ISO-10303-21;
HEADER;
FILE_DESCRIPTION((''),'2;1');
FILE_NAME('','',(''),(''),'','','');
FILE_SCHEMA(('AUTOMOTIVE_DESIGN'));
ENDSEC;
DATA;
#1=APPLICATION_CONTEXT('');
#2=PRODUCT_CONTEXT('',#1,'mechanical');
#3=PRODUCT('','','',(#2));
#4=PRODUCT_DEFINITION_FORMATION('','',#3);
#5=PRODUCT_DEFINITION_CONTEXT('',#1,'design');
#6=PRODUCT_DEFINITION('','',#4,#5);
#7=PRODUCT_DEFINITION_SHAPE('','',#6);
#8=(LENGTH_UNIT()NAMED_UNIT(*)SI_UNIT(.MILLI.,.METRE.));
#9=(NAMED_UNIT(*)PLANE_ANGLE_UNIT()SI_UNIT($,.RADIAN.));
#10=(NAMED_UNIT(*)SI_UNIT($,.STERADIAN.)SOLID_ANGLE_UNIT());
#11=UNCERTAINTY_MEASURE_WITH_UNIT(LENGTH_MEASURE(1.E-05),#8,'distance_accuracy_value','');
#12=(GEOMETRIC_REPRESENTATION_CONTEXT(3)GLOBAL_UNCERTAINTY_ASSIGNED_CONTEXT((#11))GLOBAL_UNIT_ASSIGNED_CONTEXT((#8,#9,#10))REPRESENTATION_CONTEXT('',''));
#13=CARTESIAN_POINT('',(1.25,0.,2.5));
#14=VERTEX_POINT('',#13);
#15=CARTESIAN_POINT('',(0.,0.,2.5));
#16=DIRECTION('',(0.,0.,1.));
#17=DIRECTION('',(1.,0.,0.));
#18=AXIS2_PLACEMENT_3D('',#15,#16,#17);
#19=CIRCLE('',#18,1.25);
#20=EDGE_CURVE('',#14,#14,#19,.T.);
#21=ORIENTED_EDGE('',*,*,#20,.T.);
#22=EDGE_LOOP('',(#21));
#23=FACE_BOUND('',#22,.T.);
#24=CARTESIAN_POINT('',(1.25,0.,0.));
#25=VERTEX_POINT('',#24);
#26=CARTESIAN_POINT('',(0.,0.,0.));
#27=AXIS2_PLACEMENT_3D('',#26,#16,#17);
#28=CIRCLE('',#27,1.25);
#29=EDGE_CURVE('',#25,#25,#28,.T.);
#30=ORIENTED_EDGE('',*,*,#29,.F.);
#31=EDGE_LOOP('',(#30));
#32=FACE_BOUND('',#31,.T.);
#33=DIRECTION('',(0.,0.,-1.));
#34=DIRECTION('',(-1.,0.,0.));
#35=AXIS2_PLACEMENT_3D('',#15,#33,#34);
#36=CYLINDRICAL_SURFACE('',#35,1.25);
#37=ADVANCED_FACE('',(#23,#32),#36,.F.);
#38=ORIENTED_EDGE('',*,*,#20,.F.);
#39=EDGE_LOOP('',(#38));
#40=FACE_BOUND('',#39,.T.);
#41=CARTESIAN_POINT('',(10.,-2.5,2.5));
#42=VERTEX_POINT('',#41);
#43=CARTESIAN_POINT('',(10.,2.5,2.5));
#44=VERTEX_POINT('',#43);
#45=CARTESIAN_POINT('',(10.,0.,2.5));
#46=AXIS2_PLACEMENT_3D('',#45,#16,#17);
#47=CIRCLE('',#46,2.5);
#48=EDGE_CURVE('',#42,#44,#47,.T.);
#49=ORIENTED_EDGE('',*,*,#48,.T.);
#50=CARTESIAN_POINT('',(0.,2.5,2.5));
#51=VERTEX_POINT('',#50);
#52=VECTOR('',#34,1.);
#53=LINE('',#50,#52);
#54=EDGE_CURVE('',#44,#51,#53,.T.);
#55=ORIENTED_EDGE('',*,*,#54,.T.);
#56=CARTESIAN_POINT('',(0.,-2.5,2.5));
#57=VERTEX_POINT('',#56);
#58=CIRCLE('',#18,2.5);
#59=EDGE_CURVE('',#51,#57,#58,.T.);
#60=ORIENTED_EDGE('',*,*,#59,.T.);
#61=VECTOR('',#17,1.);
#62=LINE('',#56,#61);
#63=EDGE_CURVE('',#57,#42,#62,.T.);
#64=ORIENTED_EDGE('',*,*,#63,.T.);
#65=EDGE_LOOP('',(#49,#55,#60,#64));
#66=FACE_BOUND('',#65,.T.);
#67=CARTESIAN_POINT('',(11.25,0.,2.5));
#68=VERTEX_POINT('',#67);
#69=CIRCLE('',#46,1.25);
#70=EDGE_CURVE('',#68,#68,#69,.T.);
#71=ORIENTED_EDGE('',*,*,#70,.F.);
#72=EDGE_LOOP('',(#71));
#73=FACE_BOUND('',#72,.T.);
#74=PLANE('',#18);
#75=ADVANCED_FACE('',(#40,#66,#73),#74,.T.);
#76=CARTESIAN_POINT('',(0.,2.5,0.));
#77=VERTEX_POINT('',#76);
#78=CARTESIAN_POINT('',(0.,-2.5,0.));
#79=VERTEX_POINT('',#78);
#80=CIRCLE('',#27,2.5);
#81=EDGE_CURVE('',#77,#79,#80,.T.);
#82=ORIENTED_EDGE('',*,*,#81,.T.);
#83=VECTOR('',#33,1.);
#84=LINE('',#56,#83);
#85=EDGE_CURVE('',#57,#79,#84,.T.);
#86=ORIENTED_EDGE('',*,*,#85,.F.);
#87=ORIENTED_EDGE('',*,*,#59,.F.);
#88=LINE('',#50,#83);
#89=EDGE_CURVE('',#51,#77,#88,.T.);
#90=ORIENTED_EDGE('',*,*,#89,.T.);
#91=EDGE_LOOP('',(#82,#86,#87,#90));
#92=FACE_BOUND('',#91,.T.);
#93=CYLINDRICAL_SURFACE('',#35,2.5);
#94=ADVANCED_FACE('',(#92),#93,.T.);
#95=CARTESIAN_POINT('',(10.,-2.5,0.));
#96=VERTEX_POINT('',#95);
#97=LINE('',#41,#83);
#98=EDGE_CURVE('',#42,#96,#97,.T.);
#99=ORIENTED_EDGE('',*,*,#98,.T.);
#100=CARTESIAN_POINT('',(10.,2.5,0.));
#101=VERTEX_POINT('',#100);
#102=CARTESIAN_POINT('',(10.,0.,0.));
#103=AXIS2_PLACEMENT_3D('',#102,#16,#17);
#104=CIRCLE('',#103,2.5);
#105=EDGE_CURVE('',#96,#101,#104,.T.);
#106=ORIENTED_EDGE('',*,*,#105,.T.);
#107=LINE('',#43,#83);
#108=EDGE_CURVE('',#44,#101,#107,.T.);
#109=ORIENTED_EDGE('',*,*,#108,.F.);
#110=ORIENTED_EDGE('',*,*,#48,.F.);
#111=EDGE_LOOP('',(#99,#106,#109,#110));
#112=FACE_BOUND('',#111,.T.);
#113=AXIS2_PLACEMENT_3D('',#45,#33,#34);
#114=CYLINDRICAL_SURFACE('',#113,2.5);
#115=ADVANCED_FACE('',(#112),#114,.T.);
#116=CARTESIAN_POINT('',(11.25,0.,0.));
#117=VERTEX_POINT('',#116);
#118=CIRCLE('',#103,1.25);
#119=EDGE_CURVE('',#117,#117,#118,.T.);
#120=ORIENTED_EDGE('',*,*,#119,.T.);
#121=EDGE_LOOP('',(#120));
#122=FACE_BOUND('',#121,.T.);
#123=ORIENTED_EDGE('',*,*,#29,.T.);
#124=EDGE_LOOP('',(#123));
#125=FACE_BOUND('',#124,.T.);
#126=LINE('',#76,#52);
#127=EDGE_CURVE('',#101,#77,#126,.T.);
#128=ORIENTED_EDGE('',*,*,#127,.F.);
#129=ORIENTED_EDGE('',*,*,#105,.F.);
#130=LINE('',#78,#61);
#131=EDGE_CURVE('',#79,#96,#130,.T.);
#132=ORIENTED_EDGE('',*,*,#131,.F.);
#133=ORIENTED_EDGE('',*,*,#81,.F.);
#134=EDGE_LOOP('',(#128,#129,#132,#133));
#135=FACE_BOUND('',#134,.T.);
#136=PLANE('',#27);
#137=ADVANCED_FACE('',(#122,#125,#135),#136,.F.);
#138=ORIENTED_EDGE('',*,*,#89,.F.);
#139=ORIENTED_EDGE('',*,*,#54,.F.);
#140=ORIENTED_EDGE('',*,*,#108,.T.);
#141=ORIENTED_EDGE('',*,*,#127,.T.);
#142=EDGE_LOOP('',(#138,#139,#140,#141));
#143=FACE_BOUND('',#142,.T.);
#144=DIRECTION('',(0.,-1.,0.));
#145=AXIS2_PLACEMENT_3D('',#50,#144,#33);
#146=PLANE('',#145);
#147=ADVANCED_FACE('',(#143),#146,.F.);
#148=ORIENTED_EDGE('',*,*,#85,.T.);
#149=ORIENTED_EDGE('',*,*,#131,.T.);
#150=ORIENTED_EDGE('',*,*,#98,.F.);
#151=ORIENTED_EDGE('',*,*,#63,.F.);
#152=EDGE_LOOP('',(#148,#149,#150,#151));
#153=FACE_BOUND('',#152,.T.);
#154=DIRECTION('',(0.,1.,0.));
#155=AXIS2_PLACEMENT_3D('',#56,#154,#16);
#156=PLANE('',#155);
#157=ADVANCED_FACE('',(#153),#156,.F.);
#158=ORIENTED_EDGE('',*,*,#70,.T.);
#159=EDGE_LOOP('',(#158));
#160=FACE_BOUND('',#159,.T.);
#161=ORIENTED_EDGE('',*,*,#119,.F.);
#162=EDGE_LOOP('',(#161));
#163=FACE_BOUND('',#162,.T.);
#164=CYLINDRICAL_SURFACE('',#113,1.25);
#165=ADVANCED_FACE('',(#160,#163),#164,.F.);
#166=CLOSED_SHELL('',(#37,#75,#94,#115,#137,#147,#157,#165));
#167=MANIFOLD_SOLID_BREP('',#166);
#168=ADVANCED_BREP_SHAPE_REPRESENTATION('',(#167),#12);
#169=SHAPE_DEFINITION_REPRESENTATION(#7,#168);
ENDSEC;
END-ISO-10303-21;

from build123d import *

# Parameters (mm, degrees)
SKETCH1_R           = 1.25
BOSS_EXTRUDE1_DEPTH = 2.5


with BuildPart() as part:
    # Sketch1 → Boss-Extrude1 (new body)
    with BuildSketch(Plane.XY):
        with BuildLine():
            Line((0, 2.5), (10, 2.5))
            ThreePointArc((10, 2.5), (12.5, 0), (10, -2.5))
            Line((10, -2.5), (0, -2.5))
            ThreePointArc((0, -2.5), (-2.5, 0), (0, 2.5))
        make_face()
        Circle(SKETCH1_R, mode=Mode.SUBTRACT)
        with Locations((10, 0)):
            Circle(SKETCH1_R, mode=Mode.SUBTRACT)
    extrude(amount=BOSS_EXTRUDE1_DEPTH)


solid = part.part
